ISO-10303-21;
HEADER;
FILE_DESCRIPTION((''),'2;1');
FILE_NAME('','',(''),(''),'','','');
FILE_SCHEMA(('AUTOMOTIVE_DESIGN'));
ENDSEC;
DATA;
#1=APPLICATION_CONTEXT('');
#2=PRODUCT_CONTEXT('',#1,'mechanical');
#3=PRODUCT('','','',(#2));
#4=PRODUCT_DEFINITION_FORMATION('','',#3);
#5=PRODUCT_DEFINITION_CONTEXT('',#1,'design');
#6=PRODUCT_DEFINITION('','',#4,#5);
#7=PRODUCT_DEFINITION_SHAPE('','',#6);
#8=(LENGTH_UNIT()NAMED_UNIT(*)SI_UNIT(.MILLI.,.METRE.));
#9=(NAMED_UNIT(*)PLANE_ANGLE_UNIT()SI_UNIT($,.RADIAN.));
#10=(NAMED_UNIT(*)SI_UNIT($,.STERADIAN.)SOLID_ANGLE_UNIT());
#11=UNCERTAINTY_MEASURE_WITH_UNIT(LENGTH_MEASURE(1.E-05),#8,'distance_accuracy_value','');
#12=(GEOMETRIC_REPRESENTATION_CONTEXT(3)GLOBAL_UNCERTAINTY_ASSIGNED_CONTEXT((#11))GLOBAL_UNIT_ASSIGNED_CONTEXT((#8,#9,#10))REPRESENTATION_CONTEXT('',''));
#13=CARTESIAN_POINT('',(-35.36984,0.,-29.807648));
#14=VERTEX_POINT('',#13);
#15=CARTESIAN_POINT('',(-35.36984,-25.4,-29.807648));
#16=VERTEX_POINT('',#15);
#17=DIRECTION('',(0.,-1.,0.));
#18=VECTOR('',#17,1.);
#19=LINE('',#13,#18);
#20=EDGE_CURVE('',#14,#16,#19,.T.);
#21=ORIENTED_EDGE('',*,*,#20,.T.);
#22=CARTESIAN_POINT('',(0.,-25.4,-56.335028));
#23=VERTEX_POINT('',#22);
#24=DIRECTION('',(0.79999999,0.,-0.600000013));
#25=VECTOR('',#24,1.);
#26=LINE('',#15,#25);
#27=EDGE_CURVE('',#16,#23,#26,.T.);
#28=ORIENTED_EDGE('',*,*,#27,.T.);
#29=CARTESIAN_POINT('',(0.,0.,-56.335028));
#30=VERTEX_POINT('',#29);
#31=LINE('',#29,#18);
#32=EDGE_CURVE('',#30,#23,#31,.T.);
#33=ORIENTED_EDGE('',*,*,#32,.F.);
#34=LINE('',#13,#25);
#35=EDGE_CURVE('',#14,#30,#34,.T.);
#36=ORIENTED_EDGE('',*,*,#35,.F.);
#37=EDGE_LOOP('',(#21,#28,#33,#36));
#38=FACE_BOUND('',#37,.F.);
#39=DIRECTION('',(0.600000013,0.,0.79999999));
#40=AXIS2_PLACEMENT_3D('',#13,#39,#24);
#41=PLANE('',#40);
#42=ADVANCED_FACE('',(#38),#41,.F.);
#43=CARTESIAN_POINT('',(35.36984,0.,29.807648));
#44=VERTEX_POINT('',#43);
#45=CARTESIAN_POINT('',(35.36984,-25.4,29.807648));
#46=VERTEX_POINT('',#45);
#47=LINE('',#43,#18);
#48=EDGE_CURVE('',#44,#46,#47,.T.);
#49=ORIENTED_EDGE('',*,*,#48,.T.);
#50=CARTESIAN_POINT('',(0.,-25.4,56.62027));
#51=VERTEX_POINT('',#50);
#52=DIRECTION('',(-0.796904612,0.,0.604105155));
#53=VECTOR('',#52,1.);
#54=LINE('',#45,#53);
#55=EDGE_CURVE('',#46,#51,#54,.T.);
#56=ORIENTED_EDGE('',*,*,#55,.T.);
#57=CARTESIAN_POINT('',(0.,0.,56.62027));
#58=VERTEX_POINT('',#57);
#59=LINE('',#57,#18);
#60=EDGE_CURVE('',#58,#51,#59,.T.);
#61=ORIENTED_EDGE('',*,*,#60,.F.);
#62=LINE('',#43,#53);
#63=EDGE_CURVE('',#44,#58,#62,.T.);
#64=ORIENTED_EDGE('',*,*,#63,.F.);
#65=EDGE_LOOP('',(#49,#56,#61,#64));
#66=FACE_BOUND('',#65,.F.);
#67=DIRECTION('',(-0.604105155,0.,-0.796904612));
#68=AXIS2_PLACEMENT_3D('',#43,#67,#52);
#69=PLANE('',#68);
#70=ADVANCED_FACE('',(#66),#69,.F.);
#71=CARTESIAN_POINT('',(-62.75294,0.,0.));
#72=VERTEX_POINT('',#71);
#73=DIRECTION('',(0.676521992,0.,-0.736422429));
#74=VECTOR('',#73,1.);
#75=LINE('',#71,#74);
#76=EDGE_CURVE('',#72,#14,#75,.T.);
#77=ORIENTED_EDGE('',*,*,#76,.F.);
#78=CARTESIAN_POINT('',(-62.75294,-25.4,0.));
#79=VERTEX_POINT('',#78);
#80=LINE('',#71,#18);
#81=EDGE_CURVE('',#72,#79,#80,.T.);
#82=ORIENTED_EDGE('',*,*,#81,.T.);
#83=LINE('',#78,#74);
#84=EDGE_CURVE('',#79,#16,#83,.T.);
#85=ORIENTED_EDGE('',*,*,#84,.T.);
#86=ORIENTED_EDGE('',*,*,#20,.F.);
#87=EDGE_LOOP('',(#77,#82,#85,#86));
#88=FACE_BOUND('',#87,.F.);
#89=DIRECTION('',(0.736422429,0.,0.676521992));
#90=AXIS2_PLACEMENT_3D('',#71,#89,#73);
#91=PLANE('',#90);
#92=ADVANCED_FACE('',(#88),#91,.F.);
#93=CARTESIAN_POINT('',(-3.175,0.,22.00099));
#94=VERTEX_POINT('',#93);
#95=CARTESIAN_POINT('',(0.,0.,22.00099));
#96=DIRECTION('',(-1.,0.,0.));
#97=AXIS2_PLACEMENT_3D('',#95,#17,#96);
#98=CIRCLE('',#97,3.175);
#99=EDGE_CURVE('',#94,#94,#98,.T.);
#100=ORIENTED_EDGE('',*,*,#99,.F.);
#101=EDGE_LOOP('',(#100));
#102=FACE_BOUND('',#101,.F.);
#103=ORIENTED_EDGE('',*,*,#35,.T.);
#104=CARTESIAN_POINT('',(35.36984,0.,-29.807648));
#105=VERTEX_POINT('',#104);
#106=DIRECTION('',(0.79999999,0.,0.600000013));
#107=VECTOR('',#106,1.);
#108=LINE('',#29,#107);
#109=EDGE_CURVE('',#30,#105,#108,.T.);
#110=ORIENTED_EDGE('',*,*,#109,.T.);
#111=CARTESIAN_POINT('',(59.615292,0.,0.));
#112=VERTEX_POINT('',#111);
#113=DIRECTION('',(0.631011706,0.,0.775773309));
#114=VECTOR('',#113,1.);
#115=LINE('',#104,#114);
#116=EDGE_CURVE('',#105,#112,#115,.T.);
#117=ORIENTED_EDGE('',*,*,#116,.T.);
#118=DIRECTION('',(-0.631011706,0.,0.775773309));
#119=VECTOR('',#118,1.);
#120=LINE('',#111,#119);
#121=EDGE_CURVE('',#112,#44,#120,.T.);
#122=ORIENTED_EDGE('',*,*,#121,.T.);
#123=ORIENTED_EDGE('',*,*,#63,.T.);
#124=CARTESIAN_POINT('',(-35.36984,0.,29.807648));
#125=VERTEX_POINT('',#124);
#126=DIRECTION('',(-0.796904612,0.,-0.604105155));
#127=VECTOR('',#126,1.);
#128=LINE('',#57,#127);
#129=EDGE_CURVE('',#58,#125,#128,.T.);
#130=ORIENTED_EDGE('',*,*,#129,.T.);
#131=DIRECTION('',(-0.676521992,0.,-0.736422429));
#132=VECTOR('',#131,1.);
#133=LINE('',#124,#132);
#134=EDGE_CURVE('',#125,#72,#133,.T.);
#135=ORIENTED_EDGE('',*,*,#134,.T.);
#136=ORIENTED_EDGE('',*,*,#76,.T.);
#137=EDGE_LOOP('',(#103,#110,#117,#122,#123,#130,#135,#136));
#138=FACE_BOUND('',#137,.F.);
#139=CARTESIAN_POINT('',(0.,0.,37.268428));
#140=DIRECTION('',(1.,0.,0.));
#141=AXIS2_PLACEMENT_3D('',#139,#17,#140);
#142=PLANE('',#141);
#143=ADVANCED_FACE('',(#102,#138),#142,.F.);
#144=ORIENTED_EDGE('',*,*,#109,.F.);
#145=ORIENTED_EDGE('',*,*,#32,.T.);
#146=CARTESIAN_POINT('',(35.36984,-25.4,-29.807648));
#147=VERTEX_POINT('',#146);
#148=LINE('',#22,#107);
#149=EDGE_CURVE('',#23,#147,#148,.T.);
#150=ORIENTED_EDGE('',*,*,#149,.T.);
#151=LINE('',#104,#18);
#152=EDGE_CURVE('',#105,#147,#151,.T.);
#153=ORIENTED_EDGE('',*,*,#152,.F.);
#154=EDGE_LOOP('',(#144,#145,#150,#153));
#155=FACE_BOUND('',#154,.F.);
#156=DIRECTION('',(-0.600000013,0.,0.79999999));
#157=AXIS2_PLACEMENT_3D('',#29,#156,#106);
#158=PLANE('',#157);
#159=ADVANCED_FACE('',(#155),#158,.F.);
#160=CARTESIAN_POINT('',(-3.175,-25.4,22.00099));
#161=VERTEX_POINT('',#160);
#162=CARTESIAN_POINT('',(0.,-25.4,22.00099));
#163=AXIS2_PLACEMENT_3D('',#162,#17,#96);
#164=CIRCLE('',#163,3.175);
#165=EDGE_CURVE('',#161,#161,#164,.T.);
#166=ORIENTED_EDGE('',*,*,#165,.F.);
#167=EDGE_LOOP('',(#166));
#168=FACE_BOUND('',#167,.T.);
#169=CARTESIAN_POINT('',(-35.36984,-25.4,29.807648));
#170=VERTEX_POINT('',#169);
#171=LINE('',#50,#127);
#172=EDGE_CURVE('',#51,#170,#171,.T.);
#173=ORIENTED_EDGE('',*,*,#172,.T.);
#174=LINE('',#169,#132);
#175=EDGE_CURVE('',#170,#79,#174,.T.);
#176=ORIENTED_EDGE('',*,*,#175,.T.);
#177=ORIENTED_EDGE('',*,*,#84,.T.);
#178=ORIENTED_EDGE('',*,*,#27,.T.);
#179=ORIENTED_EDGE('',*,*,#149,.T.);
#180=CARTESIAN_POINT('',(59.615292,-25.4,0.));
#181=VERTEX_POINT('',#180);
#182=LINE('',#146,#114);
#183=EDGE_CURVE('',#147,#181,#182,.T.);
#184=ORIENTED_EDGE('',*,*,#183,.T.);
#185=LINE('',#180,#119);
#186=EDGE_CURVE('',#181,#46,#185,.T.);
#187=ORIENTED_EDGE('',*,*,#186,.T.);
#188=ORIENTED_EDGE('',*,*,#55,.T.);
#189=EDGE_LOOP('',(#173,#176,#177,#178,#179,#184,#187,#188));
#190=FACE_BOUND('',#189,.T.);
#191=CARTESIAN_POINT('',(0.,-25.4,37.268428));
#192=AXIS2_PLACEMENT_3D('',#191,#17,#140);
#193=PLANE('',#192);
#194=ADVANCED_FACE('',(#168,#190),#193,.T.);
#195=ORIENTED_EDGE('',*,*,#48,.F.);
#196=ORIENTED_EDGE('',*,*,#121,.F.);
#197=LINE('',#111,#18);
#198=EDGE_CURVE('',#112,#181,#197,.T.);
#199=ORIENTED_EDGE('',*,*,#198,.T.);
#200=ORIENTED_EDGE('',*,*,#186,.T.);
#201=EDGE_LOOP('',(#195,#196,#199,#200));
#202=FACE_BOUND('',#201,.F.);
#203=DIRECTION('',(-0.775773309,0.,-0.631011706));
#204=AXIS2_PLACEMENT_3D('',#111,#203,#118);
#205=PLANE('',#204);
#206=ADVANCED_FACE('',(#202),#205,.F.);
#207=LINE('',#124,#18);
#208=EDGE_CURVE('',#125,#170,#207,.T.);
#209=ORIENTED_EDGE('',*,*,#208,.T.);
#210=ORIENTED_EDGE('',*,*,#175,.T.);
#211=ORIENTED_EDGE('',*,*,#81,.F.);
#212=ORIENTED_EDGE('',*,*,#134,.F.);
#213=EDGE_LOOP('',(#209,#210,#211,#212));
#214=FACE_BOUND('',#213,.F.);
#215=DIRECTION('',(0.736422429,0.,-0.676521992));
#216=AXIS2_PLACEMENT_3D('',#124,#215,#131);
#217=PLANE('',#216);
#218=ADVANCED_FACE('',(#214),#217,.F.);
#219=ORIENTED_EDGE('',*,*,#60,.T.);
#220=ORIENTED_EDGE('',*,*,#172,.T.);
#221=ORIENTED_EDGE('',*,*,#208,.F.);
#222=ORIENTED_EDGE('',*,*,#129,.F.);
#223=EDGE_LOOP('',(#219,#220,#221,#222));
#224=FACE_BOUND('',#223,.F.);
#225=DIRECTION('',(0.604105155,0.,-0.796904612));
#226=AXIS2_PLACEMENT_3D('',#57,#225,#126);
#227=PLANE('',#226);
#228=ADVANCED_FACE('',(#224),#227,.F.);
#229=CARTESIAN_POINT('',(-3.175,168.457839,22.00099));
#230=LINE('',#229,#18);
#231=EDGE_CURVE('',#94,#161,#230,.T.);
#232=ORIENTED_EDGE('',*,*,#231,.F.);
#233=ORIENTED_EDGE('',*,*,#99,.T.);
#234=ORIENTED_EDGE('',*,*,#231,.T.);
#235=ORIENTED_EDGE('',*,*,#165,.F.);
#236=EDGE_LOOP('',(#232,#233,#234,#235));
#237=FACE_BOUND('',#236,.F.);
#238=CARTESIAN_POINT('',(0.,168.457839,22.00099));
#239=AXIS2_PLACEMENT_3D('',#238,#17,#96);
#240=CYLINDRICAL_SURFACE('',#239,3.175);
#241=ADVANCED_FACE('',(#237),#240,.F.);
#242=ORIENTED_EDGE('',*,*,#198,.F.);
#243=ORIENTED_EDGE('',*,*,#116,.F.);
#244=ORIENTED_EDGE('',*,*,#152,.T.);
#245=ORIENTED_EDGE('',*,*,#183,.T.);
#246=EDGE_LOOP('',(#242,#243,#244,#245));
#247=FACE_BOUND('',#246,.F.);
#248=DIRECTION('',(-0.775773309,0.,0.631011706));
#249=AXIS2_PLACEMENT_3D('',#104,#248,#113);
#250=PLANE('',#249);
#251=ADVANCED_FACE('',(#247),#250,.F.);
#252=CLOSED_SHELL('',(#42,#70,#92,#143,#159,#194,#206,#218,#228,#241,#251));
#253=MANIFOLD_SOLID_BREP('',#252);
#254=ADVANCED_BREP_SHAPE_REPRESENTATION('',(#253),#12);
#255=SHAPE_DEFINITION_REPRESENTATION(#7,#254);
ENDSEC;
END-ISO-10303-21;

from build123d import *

# Parameters (mm, degrees)
F0_W     = 70.7396790385
F0_H     = 59.6152953804
F1_DEPTH = 25.4
F2_R     = 16.4409735045
F3_DEPTH = 25.4
F5_D     = 6.35


with BuildPart() as f1:
    # F0 (on Front) → F1 (new body)
    with BuildSketch(Plane.XZ):
        Polygon((0, 56.6202700138), (-35.3698395193, 29.8076476902), (35.3698395193, 29.8076476902), align=None)
        Rectangle(F0_W, F0_H)
        Polygon((-35.3698395193, -29.8076476902), (-35.3698395193, 29.8076476902), (-62.7529397607, 0), align=None)
        Polygon((59.6152916551, 0), (35.3698395193, 29.8076476902), (35.3698395193, -29.8076476902), align=None)
        Polygon((35.3698395193, -29.8076476902), (-35.3698395193, -29.8076476902), (0, -56.3350282609), align=None)
    extrude(amount=F1_DEPTH)

    # F2 (on Front) → F3 (join)
    with BuildSketch(Plane.XZ):
        Circle(F2_R)
    extrude(amount=F3_DEPTH)

    # F5 (through all)
    with Locations(Plane(origin=(0, 0, 0), x_dir=(1, 0, 0), z_dir=(0, 1, 0))):
        with Locations((0, -22.0009903873)):
            Hole(F5_D / 2)


solid = f1.part
